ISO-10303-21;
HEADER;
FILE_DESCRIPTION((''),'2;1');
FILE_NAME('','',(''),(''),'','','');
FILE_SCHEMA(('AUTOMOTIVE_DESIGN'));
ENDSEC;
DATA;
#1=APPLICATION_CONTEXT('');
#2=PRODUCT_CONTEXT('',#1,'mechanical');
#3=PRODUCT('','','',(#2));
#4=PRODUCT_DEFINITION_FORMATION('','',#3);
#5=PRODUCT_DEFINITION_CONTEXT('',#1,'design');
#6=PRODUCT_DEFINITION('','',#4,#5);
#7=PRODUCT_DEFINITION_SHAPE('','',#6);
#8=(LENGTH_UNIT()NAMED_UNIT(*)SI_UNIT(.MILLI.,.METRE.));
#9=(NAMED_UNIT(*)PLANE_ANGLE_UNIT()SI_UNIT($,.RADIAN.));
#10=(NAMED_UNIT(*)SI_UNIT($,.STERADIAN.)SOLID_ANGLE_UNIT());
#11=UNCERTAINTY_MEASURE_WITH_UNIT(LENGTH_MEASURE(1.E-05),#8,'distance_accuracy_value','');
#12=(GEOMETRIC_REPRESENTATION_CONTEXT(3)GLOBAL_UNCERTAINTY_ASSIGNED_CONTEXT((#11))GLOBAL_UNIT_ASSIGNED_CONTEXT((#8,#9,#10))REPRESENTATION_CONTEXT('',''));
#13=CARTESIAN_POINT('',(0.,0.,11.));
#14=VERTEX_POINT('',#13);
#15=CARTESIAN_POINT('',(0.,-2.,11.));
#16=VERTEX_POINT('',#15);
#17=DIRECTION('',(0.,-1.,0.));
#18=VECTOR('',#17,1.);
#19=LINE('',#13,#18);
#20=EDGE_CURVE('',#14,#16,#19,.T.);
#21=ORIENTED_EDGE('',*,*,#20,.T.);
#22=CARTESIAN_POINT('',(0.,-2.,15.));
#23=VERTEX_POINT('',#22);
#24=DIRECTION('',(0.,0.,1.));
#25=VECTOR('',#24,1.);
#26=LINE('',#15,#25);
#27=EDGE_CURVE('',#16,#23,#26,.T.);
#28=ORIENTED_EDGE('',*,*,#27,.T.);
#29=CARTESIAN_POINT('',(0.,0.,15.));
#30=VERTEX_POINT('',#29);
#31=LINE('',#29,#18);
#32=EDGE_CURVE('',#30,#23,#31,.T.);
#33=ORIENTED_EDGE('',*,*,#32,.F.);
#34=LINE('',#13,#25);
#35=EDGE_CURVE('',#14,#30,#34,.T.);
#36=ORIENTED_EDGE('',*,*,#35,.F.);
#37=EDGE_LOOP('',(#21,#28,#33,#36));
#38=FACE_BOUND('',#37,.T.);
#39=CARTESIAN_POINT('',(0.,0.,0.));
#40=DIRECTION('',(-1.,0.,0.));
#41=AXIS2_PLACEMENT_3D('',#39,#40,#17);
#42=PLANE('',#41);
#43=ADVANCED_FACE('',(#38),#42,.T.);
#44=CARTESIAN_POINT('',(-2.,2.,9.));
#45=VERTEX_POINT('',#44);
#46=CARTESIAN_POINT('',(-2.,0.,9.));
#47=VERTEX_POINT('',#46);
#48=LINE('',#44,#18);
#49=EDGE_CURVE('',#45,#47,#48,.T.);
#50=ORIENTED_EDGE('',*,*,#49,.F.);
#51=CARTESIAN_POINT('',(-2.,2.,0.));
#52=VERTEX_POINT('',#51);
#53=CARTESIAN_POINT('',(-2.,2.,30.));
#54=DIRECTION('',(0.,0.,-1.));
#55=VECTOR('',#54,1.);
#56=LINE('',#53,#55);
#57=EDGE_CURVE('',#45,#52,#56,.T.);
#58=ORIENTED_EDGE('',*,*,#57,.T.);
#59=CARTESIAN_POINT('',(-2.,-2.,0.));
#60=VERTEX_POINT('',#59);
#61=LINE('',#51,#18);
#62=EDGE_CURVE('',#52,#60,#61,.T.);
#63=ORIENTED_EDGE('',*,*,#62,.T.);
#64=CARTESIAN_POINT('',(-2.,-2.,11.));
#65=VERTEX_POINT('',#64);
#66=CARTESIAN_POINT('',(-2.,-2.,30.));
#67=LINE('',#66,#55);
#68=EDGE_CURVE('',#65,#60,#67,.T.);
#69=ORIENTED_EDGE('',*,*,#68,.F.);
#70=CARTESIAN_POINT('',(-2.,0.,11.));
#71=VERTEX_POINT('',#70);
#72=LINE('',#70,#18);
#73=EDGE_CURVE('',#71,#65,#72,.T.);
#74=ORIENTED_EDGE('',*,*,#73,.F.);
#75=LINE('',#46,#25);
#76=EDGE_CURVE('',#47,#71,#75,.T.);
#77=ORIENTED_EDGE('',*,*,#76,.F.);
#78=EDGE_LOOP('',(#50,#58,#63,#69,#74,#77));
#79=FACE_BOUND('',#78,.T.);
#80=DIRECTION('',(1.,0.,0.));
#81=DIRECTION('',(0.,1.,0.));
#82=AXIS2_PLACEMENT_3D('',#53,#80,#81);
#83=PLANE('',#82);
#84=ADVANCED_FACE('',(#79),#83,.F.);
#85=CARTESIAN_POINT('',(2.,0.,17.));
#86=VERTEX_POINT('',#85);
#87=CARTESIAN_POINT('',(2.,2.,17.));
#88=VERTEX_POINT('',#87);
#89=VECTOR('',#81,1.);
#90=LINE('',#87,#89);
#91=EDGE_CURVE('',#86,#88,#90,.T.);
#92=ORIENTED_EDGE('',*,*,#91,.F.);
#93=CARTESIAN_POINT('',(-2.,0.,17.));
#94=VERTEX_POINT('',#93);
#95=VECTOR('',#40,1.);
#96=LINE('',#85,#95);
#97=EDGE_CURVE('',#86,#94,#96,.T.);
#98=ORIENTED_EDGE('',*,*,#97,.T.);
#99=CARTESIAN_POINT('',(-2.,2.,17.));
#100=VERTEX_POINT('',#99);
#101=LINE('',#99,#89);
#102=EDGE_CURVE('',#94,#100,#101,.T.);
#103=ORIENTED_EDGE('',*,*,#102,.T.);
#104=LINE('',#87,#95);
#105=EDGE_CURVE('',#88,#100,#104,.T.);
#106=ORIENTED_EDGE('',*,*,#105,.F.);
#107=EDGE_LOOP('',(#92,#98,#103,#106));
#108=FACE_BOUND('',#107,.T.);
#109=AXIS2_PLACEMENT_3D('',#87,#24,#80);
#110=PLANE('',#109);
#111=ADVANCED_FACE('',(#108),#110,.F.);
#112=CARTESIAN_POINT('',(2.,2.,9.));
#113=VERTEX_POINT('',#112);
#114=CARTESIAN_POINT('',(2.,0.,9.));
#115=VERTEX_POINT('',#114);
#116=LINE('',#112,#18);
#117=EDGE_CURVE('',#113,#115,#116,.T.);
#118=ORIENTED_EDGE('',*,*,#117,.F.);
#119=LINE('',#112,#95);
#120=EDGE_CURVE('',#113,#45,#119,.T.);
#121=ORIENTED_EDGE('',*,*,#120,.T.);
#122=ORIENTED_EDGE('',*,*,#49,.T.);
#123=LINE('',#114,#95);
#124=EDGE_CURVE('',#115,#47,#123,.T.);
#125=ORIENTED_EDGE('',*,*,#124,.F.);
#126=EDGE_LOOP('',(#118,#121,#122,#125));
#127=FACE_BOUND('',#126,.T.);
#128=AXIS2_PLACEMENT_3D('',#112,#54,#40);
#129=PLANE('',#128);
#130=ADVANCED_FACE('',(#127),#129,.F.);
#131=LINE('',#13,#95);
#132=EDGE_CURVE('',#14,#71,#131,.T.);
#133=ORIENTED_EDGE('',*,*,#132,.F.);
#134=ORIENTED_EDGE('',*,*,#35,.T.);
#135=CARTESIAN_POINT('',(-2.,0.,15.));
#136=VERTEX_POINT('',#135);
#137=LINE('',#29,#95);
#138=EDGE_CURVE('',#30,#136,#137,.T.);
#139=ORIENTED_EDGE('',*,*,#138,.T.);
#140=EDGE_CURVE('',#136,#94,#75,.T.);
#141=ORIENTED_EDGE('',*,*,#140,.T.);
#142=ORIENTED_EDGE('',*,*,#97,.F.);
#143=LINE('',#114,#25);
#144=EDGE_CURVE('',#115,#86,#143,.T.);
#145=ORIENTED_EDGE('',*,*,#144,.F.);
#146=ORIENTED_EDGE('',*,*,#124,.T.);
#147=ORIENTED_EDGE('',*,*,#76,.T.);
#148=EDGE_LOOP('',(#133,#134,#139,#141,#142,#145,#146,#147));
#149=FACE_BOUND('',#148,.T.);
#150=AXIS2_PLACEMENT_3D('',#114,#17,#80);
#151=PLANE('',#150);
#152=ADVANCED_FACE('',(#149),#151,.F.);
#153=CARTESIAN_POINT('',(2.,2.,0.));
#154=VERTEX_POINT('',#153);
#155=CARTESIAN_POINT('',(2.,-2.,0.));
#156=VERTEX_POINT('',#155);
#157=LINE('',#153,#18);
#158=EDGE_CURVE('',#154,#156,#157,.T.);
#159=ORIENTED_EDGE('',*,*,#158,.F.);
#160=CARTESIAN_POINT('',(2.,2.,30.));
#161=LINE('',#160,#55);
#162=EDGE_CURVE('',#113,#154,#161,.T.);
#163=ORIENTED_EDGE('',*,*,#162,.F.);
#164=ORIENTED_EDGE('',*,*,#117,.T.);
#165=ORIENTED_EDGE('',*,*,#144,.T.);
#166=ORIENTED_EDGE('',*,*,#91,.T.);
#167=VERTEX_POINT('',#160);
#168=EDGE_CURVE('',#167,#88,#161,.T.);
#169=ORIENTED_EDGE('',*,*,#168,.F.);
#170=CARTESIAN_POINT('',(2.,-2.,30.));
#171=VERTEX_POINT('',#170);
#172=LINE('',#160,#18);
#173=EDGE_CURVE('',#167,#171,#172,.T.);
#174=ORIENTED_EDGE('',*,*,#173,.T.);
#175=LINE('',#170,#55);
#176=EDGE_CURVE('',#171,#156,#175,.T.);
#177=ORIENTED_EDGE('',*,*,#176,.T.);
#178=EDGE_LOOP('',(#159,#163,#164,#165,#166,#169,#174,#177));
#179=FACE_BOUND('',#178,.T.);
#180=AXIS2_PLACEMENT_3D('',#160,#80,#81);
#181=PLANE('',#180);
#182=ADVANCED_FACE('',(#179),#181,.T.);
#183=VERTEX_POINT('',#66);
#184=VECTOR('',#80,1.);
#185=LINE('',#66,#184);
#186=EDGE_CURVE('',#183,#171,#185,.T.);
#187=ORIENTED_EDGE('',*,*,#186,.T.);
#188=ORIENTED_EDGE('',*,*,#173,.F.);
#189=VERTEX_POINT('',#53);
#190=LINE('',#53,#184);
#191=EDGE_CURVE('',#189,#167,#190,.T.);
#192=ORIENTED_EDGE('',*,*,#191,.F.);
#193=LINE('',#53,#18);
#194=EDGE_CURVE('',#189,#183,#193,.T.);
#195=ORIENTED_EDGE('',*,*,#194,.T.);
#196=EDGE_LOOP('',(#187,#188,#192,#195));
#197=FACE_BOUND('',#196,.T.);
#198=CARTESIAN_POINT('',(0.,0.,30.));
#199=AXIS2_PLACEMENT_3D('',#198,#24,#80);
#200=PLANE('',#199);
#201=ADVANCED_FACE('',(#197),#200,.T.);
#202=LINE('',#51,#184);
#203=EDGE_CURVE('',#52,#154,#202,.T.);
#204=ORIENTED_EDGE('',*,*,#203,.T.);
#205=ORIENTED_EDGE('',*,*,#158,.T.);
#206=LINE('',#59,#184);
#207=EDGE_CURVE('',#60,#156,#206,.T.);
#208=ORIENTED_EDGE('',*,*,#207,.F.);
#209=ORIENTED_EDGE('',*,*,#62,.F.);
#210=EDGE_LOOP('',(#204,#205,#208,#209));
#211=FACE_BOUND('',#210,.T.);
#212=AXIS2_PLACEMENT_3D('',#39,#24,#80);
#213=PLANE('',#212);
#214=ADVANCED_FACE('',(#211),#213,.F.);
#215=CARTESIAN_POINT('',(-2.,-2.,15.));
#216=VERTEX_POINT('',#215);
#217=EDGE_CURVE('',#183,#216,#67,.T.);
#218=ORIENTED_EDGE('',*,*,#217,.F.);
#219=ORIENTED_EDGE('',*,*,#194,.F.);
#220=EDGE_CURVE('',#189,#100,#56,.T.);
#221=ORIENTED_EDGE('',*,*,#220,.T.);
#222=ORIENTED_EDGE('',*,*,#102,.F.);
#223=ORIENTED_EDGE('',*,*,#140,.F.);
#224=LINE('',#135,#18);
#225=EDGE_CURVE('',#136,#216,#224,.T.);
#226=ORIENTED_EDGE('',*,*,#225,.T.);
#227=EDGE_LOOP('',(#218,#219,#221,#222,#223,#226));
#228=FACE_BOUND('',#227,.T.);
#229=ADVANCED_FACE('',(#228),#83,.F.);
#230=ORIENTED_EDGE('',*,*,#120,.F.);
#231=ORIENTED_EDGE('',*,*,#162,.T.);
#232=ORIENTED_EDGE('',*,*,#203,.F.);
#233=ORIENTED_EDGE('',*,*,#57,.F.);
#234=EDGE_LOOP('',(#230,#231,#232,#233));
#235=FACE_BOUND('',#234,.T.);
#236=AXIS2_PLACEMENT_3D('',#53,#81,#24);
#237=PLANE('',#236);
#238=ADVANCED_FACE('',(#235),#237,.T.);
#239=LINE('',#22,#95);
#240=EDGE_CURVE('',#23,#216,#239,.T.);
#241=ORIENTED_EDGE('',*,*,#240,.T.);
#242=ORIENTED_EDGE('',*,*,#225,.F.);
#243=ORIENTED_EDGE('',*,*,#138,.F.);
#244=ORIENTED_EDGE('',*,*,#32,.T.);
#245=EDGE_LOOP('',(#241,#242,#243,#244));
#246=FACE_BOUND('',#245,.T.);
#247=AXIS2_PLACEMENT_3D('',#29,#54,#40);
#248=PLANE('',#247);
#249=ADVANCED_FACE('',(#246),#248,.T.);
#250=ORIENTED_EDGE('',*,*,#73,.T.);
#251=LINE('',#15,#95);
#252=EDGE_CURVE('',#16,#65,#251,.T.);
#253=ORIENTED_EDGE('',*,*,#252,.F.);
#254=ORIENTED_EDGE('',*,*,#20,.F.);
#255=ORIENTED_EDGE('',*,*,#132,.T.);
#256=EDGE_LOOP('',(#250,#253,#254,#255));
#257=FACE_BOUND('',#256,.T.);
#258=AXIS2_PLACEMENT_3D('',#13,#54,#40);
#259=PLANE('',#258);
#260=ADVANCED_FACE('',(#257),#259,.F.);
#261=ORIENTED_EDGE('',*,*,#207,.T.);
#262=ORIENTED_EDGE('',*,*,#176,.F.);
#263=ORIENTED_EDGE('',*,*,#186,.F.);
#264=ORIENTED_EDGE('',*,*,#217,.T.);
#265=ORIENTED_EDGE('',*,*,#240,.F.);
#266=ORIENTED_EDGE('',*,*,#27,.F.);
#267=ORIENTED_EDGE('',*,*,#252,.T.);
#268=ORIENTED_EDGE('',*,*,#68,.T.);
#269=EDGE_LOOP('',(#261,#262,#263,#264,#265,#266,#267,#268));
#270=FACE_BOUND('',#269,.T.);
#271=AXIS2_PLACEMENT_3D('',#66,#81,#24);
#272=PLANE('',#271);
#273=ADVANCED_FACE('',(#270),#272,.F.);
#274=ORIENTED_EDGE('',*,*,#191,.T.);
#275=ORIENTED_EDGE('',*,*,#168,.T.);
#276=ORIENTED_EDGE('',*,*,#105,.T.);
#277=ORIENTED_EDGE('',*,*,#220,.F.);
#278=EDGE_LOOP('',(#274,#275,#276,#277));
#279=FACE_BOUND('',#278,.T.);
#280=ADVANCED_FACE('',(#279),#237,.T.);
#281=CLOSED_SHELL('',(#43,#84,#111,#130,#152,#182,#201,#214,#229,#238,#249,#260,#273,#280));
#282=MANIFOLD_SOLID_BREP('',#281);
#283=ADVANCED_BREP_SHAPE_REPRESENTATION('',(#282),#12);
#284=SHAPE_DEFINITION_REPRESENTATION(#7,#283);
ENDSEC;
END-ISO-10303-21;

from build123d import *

# Parameters (mm, degrees)
SKETCH_1_W          = 4
SKETCH_1_H          = 4
EXTRUDE_1_DEPTH     = 30
SKETCH_4_W          = 8
SKETCH_4_H          = 2
CUT_EXTRUDE_1_DEPTH = 4
SKETCH_6_W          = 4
SKETCH_6_H          = 2
CUT_EXTRUDE_2_DEPTH = 2


with BuildPart() as part:
    # 草圖1 → 填料-伸長1 (new body)
    with BuildSketch(Plane.XY):
        Rectangle(SKETCH_1_W, SKETCH_1_H)
    extrude(amount=EXTRUDE_1_DEPTH)

    # 草圖4 → 除料-伸長1 (cut)
    with BuildSketch(Plane.ZY.offset(2)):
        with Locations((13, 1)):
            Rectangle(SKETCH_4_W, SKETCH_4_H)
    extrude(amount=-CUT_EXTRUDE_1_DEPTH, mode=Mode.SUBTRACT)

    # 草圖6 → 除料-伸長2 (cut)
    with BuildSketch(Plane.ZY.offset(2)):
        with Locations((13, -1)):
            Rectangle(SKETCH_6_W, SKETCH_6_H)
    extrude(amount=-CUT_EXTRUDE_2_DEPTH, mode=Mode.SUBTRACT)


solid = part.part
